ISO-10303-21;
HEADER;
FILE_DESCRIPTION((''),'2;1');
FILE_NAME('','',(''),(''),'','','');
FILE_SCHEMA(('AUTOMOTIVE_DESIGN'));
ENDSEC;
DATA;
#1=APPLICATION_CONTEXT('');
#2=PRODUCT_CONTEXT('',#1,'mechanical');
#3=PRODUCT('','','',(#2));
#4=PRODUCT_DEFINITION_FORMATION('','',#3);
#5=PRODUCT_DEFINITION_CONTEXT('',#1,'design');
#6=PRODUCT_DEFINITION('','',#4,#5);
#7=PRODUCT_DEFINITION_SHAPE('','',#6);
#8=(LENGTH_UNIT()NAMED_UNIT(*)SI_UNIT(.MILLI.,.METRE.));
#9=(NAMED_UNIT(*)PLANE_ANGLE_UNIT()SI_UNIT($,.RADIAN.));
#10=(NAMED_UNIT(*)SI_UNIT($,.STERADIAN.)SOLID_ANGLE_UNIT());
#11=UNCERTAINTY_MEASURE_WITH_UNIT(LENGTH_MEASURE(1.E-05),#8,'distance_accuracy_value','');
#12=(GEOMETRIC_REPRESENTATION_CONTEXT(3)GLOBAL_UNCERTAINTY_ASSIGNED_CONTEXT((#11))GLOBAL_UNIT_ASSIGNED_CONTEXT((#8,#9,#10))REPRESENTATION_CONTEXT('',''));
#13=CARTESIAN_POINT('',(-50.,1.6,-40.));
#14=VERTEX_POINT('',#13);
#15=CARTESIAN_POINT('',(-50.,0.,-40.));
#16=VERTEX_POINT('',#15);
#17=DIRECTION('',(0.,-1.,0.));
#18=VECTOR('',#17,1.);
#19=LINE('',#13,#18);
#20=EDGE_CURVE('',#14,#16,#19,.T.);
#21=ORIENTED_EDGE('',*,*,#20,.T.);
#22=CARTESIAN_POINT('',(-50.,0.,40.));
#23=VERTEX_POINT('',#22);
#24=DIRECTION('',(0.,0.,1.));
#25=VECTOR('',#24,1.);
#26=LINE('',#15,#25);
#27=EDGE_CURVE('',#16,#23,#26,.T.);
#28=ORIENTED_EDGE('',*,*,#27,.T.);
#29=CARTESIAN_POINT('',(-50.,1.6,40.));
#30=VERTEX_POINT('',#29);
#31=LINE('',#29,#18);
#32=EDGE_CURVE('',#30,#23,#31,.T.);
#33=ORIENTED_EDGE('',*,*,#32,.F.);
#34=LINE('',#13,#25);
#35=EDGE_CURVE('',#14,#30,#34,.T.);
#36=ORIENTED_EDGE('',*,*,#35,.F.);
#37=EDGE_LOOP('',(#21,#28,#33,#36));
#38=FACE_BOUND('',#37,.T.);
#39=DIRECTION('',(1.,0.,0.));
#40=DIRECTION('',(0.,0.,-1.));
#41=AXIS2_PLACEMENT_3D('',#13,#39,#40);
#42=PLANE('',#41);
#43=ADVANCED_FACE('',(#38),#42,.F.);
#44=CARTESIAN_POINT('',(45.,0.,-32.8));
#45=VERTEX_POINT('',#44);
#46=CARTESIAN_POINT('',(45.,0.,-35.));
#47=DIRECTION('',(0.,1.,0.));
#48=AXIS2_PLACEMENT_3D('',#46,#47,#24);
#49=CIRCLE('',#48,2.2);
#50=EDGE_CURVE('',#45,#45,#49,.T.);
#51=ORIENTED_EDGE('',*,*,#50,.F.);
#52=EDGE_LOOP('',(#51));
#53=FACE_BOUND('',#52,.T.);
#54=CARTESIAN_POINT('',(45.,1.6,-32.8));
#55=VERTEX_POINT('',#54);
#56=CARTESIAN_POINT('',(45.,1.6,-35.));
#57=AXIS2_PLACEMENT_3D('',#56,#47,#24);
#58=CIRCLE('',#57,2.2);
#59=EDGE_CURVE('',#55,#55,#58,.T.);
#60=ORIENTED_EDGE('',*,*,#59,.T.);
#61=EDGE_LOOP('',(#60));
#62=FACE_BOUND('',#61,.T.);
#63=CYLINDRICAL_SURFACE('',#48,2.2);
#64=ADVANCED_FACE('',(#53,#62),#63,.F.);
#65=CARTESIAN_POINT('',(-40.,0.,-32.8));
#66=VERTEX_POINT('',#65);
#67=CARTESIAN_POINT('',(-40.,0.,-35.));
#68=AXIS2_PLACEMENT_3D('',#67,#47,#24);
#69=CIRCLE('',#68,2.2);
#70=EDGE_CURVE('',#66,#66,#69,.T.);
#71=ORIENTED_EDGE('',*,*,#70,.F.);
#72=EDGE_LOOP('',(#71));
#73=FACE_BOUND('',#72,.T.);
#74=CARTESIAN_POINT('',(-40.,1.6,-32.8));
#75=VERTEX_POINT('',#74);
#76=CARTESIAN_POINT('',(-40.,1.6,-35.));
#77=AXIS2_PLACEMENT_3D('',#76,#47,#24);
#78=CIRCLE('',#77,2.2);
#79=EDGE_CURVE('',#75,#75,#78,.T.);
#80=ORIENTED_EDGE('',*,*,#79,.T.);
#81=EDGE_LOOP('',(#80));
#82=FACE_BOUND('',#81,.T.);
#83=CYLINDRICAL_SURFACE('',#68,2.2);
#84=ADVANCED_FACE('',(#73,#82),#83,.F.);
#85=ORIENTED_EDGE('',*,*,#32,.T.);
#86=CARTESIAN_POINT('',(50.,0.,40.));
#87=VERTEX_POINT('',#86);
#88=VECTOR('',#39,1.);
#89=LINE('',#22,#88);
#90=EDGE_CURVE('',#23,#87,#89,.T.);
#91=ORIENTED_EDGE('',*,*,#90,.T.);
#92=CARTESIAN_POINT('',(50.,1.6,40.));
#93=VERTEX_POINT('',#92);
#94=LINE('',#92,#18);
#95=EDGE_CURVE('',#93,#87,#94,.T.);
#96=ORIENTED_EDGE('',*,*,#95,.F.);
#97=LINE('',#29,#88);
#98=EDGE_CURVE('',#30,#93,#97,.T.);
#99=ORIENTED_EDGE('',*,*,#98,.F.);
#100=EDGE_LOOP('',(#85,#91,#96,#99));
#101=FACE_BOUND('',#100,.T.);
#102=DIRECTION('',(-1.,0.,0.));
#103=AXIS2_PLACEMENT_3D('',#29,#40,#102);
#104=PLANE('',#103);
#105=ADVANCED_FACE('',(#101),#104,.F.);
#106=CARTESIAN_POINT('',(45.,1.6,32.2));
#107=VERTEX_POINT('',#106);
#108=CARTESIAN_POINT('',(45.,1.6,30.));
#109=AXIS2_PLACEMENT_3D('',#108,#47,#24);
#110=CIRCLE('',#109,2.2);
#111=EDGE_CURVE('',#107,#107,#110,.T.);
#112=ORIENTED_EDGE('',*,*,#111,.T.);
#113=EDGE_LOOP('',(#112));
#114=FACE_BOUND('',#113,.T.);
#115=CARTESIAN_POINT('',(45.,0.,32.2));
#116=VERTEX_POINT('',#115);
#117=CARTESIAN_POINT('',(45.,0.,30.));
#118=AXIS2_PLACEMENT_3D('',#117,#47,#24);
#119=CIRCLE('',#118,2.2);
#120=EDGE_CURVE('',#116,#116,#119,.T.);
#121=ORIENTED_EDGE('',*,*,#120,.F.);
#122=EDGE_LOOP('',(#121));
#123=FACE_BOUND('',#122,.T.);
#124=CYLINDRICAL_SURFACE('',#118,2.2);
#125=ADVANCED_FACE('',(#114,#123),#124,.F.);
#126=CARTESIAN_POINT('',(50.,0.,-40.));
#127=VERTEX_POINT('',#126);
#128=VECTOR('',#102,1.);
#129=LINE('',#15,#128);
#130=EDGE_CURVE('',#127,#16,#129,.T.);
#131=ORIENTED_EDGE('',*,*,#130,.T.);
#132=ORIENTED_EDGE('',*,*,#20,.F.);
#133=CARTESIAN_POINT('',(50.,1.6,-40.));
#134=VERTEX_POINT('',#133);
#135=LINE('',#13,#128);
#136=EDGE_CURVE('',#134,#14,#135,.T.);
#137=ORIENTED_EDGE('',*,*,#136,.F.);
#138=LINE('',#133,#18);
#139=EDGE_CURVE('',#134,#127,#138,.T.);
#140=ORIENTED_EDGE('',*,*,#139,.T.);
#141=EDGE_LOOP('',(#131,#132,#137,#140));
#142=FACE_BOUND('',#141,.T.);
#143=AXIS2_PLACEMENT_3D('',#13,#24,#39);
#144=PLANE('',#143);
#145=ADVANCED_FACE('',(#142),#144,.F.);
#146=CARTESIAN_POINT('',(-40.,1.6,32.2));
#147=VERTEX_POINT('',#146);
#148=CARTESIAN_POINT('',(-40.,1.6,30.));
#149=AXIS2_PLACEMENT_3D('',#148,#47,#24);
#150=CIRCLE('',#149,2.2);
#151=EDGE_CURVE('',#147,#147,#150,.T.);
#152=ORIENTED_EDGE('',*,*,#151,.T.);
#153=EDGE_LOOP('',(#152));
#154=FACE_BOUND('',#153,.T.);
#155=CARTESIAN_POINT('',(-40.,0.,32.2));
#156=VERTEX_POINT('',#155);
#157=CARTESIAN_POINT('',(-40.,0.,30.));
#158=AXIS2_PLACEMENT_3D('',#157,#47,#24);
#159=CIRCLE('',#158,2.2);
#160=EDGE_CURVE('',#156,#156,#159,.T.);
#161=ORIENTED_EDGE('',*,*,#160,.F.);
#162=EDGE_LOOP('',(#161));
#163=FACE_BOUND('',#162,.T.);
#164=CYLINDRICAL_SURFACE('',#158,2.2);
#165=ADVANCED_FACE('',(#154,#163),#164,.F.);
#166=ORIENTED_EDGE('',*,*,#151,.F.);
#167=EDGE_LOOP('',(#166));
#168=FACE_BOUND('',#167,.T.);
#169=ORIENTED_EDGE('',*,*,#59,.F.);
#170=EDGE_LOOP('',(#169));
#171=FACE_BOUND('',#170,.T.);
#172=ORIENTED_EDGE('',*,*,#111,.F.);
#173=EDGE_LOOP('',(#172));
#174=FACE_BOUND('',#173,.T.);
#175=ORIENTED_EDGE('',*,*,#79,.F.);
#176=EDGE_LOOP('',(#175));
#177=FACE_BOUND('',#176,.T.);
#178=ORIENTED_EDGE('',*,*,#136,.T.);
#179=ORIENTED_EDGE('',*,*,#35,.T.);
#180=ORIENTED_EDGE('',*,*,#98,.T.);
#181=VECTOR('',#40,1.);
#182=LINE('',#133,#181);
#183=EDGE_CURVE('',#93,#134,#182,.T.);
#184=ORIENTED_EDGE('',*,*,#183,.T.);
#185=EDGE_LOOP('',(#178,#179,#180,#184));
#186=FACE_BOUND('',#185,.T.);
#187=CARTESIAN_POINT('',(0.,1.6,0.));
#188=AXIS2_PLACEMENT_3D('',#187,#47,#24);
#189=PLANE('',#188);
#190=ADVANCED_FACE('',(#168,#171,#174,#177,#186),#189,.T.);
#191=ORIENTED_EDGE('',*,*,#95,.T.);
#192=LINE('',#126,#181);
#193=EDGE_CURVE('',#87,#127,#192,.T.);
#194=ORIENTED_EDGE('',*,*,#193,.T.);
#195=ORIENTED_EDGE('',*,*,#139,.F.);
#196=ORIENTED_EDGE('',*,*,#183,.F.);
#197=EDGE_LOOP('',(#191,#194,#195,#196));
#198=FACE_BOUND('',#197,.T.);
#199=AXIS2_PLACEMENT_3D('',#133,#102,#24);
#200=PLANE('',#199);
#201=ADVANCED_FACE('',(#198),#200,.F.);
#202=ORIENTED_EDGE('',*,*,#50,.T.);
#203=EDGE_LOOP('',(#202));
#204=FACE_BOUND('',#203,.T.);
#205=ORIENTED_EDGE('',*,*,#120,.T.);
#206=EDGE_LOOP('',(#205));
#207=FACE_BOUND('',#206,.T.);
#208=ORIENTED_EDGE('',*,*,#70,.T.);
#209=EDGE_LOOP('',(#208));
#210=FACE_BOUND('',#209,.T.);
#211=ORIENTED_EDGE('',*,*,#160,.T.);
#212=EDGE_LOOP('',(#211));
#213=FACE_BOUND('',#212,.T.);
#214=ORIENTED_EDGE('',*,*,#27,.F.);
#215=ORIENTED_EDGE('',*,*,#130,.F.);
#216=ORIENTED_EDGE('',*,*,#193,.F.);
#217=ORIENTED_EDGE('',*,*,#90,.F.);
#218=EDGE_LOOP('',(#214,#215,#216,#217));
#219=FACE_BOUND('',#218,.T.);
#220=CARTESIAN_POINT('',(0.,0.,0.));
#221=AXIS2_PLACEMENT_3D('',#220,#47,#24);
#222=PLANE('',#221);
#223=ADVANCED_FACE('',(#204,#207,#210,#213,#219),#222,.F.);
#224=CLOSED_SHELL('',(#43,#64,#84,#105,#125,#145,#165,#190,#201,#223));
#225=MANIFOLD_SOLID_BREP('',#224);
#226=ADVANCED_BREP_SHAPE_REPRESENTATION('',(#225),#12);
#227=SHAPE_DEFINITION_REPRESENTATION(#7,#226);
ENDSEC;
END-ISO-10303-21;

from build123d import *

# Parameters (mm, degrees)
SKETCH1_W           = 100
SKETCH1_H           = 80
BOSS_EXTRUDE1_DEPTH = 1.6
SKETCH2_R           = 2.2
CUT_EXTRUDE1_DEPTH  = 65.051229496


with BuildPart() as part:
    # Sketch1 → Boss-Extrude1 (new body)
    with BuildSketch(Plane(origin=(0, 0, 0), x_dir=(1, 0, 0), z_dir=(0, 1, 0))):
        Rectangle(SKETCH1_W, SKETCH1_H)
    extrude(amount=BOSS_EXTRUDE1_DEPTH)

    # Sketch2 → Cut-Extrude1 (cut, through all)
    with BuildSketch(Plane(origin=(0, 1.6, 0), x_dir=(1, 0, 0), z_dir=(0, 1, 0))):
        with Locations(Location((-40, -30, 0), (0, 0, 270))):
            Circle(SKETCH2_R)
        with Locations(Location((-40, 35, 0), (0, 0, 270))):
            Circle(SKETCH2_R)
        with Locations(Location((45, 35, 0), (0, 0, 270))):
            Circle(SKETCH2_R)
        with Locations(Location((45, -30, 0), (0, 0, 270))):
            Circle(SKETCH2_R)
    extrude(amount=-CUT_EXTRUDE1_DEPTH, mode=Mode.SUBTRACT)


solid = part.part
